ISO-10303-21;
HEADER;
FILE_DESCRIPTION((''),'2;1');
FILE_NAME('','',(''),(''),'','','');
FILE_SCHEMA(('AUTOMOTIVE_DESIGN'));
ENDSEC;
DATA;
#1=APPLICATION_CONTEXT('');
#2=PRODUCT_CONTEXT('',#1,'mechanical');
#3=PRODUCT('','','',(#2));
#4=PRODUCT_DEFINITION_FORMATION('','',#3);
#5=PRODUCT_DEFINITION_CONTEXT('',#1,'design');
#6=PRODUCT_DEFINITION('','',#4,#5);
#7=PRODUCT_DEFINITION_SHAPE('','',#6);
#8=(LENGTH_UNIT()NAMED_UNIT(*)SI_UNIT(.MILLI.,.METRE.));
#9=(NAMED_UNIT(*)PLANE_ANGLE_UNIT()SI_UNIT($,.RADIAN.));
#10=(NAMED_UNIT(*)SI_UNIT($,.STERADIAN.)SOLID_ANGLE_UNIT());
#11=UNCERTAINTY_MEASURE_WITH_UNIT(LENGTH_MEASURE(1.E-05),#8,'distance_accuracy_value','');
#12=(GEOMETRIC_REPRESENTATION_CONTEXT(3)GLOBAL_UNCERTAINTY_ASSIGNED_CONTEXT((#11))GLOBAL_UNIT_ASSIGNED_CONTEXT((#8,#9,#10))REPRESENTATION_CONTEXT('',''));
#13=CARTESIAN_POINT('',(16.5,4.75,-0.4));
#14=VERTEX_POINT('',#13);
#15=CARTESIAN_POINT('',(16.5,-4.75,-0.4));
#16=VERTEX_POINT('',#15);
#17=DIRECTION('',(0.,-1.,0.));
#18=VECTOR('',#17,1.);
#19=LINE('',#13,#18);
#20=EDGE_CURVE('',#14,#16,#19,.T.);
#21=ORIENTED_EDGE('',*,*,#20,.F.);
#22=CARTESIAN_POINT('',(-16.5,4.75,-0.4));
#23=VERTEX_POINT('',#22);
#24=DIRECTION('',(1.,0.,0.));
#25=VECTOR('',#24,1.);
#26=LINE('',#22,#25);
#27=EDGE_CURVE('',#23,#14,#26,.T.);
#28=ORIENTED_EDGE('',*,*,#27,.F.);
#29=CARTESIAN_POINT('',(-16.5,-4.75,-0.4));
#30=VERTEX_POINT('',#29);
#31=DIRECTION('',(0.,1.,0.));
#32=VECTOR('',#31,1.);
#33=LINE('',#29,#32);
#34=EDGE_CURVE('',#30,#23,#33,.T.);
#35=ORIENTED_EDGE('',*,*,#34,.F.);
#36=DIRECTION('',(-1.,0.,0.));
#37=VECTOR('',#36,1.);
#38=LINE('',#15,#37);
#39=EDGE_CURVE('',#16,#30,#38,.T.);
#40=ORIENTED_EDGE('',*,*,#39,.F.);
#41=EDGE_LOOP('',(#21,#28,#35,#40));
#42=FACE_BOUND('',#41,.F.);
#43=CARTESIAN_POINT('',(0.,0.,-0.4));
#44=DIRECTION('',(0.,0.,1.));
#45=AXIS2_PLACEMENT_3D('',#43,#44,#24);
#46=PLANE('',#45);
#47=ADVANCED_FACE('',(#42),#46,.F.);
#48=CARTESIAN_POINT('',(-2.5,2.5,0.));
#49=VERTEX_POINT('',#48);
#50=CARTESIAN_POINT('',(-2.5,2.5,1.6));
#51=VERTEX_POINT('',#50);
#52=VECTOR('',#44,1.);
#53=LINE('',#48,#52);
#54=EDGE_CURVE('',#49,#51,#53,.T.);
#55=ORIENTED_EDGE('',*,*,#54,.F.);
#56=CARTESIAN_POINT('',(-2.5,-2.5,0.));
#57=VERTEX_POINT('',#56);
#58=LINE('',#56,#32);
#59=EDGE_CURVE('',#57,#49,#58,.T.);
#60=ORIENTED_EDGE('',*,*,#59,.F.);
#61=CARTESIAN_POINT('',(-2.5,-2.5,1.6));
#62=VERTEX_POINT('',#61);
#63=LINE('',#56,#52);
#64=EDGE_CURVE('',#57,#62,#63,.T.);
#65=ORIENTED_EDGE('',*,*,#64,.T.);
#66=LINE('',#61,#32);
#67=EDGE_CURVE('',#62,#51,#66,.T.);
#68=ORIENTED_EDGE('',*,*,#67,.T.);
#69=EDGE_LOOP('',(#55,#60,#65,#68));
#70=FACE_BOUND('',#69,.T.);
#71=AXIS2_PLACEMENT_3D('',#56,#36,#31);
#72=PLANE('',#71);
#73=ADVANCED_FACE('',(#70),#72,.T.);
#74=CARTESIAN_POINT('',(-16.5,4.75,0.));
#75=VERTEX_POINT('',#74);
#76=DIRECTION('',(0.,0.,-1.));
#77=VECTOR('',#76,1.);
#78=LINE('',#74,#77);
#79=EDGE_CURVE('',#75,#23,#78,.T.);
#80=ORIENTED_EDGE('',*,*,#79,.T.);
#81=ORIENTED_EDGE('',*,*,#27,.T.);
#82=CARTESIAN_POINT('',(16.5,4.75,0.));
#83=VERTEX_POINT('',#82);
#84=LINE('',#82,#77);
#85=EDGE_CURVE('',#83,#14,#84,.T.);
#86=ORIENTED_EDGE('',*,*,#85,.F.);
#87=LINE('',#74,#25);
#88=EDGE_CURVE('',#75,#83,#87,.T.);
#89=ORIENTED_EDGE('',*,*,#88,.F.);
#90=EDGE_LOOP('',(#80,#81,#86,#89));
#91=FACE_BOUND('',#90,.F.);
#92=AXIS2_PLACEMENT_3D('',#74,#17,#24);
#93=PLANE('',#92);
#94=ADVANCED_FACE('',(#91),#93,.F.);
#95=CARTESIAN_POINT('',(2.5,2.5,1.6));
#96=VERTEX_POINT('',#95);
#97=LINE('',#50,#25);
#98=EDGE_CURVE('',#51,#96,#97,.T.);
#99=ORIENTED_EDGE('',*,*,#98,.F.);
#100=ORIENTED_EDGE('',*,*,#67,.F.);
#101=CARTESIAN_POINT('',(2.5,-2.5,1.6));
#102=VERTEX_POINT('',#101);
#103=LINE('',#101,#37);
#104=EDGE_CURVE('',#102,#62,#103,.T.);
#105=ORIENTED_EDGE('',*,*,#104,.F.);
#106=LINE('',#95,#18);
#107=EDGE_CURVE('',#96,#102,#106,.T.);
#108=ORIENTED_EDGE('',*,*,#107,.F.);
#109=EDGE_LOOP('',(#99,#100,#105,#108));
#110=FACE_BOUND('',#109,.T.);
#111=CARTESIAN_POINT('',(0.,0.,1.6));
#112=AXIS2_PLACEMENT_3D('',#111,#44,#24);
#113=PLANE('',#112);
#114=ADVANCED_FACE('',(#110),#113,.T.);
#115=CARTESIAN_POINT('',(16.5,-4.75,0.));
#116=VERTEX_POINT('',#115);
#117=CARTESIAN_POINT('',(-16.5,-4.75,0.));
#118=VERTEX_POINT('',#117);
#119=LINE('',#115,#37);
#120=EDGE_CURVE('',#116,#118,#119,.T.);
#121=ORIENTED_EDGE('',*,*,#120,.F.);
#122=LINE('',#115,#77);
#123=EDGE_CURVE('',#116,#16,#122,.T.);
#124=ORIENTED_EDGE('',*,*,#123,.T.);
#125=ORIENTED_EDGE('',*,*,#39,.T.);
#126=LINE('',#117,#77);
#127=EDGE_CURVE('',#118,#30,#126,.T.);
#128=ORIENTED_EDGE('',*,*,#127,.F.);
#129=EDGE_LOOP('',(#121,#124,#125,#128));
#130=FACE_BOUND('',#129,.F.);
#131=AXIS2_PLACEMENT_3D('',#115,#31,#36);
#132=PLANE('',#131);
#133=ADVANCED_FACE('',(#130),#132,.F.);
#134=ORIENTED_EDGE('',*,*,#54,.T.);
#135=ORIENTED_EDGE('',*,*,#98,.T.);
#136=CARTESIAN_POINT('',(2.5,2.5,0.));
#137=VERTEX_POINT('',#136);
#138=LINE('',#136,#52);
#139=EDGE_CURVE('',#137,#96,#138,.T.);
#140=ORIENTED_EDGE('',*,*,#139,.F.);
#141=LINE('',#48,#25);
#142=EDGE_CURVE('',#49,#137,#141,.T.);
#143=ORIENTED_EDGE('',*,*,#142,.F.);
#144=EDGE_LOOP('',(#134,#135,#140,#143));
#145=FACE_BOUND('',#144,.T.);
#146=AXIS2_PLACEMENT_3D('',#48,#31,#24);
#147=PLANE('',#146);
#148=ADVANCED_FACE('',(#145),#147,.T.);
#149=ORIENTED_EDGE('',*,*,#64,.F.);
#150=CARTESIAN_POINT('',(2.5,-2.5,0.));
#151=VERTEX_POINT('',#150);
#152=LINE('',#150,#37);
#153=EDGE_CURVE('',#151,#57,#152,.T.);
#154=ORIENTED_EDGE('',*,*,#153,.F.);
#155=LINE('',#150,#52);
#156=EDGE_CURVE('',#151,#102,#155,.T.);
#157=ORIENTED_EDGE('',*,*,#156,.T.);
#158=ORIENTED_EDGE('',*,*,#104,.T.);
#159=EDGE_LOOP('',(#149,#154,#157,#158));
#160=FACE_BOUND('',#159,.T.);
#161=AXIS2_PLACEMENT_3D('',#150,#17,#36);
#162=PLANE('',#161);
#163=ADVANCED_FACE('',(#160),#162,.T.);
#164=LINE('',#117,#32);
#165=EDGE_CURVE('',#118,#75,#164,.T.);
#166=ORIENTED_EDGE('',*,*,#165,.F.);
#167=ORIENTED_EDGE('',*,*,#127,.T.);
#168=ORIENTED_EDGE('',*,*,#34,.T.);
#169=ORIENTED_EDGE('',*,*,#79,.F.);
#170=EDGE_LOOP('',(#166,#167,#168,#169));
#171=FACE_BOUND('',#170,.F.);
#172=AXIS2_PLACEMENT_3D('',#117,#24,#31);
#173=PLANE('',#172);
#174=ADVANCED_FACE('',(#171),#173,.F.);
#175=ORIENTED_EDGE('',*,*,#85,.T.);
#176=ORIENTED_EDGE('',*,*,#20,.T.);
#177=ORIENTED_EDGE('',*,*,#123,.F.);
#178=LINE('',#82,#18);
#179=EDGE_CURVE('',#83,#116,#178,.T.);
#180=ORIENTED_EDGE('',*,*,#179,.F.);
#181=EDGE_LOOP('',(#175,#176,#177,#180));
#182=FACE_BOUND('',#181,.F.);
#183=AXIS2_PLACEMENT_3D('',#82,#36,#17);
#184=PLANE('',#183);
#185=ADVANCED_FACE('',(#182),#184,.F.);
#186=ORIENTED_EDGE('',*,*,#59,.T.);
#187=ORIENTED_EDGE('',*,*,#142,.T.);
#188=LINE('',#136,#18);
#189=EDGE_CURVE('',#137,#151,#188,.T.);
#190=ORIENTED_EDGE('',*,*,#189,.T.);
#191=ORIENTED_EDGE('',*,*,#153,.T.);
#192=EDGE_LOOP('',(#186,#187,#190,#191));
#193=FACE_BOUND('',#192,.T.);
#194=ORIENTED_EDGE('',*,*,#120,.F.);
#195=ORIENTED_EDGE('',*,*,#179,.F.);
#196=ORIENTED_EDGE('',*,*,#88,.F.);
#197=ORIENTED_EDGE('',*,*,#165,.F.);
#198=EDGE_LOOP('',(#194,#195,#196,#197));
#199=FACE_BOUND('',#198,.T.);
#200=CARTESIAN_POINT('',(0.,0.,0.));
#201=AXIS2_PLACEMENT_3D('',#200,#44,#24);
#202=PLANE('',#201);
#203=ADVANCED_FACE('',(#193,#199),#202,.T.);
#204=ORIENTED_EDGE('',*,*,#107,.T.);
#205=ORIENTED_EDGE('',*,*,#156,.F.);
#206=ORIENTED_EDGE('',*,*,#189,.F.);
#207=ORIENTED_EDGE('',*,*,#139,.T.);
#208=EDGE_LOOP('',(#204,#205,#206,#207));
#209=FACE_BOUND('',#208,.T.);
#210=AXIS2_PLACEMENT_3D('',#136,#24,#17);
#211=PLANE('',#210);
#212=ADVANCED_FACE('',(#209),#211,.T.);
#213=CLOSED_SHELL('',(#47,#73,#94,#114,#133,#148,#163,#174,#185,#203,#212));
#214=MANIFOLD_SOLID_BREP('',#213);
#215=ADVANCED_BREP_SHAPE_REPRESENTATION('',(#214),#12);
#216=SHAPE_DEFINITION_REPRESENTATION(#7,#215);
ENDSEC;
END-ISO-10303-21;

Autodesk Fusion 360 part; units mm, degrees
sketch "Sketch1" plane through (0, 0, 0) normal (0, 0, 1) x (1, 0, 0)
  line L0 (16.5, -4.75) -> (-16.5, -4.75)
  line L1 (-16.5, -4.75) -> (-16.5, 4.75)
  line L2 (-16.5, 4.75) -> (16.5, 4.75)
  line L3 (16.5, 4.75) -> (16.5, -4.75)
  line L4 (16.5, -4.75) -> (-16.5, 4.75) construction
  line L5 (-16.5, -4.75) -> (16.5, 4.75) construction
  line L6 (2.5, -2.5) -> (-2.5, -2.5)
  line L7 (-2.5, -2.5) -> (-2.5, 2.5)
  line L8 (-2.5, 2.5) -> (2.5, 2.5)
  line L9 (2.5, 2.5) -> (2.5, -2.5)
  line L10 (2.5, -2.5) -> (-2.5, 2.5) construction
  line L11 (-2.5, -2.5) -> (2.5, 2.5) construction
  dimension "d1" = 14
  dimension "d2" = 14
  dimension "d3" = 5
  dimension "d4" = 5
  dimension "d5" = 9.5
  dimension "d6" = 33
extrude "Extrude1" add sketch "Sketch1" against normal blind 0.4 contours L0 L1 L2 L3 | L6 L7 L8 L9
extrude "Extrude2" add sketch "Sketch1" along normal blind 1.6 contours L6 L7 L8 L9
